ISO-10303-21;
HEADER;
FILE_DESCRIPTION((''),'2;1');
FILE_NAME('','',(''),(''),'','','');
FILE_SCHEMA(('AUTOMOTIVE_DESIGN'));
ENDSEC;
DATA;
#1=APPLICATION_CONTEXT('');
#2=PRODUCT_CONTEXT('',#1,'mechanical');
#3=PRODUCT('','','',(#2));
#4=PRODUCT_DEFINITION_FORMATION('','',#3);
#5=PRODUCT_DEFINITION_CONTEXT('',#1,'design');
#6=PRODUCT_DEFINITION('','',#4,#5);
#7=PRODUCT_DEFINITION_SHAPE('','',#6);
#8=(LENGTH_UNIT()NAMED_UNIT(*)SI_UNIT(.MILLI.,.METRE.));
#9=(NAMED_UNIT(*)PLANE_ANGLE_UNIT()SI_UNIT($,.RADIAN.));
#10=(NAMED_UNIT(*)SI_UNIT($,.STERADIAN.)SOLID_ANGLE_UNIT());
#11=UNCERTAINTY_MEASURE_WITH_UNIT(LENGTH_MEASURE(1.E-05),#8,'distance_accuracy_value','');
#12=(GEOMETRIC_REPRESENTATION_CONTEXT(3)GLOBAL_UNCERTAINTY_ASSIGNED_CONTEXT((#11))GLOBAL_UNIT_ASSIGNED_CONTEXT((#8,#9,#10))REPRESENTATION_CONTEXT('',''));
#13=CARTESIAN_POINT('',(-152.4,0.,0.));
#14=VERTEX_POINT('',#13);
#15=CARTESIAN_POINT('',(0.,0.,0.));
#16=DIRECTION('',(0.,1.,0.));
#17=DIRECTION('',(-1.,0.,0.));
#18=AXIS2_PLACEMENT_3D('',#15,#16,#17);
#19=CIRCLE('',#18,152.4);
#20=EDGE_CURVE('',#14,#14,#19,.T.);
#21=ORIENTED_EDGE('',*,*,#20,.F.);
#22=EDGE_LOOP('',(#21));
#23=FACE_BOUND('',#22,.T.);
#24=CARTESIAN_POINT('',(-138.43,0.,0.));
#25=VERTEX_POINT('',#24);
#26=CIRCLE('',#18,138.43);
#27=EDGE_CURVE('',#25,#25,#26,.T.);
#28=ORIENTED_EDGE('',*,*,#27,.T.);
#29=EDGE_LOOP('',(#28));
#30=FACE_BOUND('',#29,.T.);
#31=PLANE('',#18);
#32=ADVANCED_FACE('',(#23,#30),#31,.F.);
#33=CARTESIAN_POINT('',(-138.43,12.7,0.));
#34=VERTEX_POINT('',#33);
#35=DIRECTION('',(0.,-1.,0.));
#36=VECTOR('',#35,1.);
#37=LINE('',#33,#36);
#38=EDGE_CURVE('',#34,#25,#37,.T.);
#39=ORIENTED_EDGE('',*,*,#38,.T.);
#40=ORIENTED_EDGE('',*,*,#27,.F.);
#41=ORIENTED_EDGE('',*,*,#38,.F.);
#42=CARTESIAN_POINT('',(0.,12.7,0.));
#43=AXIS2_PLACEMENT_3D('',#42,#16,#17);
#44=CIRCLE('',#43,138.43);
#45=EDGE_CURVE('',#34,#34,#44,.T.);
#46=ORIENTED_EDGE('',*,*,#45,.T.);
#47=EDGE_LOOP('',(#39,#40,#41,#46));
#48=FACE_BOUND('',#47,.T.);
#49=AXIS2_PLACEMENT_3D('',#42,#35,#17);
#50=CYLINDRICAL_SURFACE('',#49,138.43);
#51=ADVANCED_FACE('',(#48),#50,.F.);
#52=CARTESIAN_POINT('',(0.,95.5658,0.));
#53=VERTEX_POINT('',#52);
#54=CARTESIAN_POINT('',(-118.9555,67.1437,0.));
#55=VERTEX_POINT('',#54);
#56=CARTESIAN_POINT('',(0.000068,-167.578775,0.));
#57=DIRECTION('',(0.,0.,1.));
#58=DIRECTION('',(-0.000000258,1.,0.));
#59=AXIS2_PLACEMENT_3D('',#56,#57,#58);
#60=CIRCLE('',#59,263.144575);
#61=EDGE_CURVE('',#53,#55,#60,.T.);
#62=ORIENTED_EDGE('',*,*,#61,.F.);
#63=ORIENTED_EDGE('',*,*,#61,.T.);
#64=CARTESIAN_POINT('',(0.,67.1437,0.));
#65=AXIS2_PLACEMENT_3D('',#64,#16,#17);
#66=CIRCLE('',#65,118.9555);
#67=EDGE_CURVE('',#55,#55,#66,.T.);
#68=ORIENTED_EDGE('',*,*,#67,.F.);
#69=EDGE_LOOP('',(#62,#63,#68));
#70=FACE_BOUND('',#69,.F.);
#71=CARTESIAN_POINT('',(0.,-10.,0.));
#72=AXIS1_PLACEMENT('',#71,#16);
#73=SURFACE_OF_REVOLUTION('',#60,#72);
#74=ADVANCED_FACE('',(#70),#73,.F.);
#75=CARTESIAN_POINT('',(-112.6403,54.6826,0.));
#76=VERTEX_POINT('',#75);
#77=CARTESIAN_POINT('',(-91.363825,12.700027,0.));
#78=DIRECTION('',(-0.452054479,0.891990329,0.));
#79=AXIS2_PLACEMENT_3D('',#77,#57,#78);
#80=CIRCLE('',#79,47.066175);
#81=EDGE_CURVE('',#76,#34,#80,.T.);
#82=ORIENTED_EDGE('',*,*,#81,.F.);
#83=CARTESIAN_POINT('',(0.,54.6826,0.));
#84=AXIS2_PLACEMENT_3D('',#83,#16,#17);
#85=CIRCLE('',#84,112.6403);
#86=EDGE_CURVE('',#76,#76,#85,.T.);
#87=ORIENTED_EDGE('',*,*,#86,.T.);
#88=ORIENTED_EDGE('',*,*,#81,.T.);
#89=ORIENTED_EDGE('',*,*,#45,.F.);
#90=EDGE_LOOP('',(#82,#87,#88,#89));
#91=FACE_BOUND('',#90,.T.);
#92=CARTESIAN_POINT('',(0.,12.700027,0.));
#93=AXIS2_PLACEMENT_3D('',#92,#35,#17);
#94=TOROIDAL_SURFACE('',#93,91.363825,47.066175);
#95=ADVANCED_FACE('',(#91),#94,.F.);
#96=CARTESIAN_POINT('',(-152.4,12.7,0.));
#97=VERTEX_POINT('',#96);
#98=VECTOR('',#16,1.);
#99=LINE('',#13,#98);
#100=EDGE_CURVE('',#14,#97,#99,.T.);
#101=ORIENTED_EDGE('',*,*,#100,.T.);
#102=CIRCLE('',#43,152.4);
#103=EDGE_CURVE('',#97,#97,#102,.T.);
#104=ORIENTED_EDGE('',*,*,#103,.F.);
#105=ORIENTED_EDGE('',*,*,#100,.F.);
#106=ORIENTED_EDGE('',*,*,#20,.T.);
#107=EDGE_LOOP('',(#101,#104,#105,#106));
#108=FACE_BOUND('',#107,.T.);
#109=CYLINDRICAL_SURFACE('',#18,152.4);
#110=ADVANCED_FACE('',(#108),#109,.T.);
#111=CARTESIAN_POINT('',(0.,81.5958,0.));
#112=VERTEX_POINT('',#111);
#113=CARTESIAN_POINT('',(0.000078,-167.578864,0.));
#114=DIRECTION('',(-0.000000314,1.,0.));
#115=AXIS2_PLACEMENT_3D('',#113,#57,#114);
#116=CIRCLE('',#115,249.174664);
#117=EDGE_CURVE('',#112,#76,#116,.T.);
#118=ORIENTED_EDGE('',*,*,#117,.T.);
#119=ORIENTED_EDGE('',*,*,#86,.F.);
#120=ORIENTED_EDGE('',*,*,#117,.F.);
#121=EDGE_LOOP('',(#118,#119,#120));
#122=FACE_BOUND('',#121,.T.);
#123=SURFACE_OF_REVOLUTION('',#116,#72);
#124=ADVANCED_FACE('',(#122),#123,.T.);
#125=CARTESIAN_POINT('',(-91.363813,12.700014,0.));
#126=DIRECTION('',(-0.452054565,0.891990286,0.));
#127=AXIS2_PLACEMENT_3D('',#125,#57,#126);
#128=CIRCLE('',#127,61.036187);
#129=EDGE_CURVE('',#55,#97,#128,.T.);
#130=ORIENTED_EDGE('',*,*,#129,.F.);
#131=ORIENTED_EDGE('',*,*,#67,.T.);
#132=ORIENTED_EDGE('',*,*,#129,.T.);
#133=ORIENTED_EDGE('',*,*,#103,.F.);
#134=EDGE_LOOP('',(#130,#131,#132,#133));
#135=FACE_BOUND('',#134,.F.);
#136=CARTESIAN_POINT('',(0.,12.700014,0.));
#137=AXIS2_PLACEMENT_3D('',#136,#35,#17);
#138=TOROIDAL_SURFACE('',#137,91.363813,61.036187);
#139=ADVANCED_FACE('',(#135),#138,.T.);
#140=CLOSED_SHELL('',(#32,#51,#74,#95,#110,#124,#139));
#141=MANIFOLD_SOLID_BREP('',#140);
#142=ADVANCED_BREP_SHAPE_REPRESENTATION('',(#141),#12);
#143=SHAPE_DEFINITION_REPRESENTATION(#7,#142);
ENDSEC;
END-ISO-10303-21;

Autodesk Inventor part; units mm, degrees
ref_plane "YZ Plane" through (0, 0, 0) normal (1, 0, 0) x (0, 1, 0)
ref_plane "XZ Plane" through (0, 0, 0) normal (0, 1, 0) x (-1, 0, 0)
ref_plane "XY Plane" through (0, 0, 0) normal (0, 0, 1) x (1, 0, 0)
sketch "Sketch1" plane through (0, 0, 0) normal (0, 0, 1) x (1, 0, 0)
  arc A0 (0, 81.5958) -> (-112.6403, 54.6826) centre (0, -167.5782) ccw
  arc A1 (-112.6403, 54.6826) -> (-138.43, 12.7) centre (-91.3638, 12.7) ccw
  line L0 (-138.43, 12.7) -> (-138.43, 0)
  line L1 (-138.43, 0) -> (-152.4, 0)
  line L2 (-152.4, 0) -> (-152.4, 12.7)
  line L3 (0, 95.5658) -> (0, 81.5958)
  line L4 (0, -221.6084) -> (0, 156.6029) projected
  line L5 (-182.0818, 12.7) -> (-119.4588, 12.7) construction
  line L6 (-218.4982, 0) -> (36.4164, 0) projected
  arc A2 (-118.9555, 67.1437) -> (-152.4, 12.7) centre (-91.3638, 12.7) ccw
  arc A3 (0, 95.5658) -> (-118.9555, 67.1437) centre (0, -167.5782) ccw
  point P0 (-145.415, 0)
  dimension "Inner_D" = 138.43
  dimension "Thickness" = 13.97
  dimension "Skirt_Length" = 12.7
  dimension "Knuckle" = 47.0662
  dimension "Crown" = 249.174
  dimension "Thickness_Top" = 13.97
  dimension "Outside_Knuckle" = 61.0362
revolve "Revolution2" add sketch "Sketch1" angle 360 about axis through (0, -10, 0) along (0, 1, 0) contours A0 A1 L0 L1 L2 A2 A3 L3
equation "\"Thickness\" = Outlet_Cap_Wall_Thickness"
equation "\"Skirt_Length\" = Outlet_Cap_Skirt_Length"
equation "\"Knuckle\" = Outlet_Cap_Knuckle_Radius"
equation "\"Outlet_Cap_Wall_Thickness\" = 13.97"
equation "\"Outlet_Cap_Knuckle_Radius\" = 47.0662"
equation "\"Outlet_Cap_Skirt_Length\" = 12.7"
properties part number "Fuel Cap Outlet"
